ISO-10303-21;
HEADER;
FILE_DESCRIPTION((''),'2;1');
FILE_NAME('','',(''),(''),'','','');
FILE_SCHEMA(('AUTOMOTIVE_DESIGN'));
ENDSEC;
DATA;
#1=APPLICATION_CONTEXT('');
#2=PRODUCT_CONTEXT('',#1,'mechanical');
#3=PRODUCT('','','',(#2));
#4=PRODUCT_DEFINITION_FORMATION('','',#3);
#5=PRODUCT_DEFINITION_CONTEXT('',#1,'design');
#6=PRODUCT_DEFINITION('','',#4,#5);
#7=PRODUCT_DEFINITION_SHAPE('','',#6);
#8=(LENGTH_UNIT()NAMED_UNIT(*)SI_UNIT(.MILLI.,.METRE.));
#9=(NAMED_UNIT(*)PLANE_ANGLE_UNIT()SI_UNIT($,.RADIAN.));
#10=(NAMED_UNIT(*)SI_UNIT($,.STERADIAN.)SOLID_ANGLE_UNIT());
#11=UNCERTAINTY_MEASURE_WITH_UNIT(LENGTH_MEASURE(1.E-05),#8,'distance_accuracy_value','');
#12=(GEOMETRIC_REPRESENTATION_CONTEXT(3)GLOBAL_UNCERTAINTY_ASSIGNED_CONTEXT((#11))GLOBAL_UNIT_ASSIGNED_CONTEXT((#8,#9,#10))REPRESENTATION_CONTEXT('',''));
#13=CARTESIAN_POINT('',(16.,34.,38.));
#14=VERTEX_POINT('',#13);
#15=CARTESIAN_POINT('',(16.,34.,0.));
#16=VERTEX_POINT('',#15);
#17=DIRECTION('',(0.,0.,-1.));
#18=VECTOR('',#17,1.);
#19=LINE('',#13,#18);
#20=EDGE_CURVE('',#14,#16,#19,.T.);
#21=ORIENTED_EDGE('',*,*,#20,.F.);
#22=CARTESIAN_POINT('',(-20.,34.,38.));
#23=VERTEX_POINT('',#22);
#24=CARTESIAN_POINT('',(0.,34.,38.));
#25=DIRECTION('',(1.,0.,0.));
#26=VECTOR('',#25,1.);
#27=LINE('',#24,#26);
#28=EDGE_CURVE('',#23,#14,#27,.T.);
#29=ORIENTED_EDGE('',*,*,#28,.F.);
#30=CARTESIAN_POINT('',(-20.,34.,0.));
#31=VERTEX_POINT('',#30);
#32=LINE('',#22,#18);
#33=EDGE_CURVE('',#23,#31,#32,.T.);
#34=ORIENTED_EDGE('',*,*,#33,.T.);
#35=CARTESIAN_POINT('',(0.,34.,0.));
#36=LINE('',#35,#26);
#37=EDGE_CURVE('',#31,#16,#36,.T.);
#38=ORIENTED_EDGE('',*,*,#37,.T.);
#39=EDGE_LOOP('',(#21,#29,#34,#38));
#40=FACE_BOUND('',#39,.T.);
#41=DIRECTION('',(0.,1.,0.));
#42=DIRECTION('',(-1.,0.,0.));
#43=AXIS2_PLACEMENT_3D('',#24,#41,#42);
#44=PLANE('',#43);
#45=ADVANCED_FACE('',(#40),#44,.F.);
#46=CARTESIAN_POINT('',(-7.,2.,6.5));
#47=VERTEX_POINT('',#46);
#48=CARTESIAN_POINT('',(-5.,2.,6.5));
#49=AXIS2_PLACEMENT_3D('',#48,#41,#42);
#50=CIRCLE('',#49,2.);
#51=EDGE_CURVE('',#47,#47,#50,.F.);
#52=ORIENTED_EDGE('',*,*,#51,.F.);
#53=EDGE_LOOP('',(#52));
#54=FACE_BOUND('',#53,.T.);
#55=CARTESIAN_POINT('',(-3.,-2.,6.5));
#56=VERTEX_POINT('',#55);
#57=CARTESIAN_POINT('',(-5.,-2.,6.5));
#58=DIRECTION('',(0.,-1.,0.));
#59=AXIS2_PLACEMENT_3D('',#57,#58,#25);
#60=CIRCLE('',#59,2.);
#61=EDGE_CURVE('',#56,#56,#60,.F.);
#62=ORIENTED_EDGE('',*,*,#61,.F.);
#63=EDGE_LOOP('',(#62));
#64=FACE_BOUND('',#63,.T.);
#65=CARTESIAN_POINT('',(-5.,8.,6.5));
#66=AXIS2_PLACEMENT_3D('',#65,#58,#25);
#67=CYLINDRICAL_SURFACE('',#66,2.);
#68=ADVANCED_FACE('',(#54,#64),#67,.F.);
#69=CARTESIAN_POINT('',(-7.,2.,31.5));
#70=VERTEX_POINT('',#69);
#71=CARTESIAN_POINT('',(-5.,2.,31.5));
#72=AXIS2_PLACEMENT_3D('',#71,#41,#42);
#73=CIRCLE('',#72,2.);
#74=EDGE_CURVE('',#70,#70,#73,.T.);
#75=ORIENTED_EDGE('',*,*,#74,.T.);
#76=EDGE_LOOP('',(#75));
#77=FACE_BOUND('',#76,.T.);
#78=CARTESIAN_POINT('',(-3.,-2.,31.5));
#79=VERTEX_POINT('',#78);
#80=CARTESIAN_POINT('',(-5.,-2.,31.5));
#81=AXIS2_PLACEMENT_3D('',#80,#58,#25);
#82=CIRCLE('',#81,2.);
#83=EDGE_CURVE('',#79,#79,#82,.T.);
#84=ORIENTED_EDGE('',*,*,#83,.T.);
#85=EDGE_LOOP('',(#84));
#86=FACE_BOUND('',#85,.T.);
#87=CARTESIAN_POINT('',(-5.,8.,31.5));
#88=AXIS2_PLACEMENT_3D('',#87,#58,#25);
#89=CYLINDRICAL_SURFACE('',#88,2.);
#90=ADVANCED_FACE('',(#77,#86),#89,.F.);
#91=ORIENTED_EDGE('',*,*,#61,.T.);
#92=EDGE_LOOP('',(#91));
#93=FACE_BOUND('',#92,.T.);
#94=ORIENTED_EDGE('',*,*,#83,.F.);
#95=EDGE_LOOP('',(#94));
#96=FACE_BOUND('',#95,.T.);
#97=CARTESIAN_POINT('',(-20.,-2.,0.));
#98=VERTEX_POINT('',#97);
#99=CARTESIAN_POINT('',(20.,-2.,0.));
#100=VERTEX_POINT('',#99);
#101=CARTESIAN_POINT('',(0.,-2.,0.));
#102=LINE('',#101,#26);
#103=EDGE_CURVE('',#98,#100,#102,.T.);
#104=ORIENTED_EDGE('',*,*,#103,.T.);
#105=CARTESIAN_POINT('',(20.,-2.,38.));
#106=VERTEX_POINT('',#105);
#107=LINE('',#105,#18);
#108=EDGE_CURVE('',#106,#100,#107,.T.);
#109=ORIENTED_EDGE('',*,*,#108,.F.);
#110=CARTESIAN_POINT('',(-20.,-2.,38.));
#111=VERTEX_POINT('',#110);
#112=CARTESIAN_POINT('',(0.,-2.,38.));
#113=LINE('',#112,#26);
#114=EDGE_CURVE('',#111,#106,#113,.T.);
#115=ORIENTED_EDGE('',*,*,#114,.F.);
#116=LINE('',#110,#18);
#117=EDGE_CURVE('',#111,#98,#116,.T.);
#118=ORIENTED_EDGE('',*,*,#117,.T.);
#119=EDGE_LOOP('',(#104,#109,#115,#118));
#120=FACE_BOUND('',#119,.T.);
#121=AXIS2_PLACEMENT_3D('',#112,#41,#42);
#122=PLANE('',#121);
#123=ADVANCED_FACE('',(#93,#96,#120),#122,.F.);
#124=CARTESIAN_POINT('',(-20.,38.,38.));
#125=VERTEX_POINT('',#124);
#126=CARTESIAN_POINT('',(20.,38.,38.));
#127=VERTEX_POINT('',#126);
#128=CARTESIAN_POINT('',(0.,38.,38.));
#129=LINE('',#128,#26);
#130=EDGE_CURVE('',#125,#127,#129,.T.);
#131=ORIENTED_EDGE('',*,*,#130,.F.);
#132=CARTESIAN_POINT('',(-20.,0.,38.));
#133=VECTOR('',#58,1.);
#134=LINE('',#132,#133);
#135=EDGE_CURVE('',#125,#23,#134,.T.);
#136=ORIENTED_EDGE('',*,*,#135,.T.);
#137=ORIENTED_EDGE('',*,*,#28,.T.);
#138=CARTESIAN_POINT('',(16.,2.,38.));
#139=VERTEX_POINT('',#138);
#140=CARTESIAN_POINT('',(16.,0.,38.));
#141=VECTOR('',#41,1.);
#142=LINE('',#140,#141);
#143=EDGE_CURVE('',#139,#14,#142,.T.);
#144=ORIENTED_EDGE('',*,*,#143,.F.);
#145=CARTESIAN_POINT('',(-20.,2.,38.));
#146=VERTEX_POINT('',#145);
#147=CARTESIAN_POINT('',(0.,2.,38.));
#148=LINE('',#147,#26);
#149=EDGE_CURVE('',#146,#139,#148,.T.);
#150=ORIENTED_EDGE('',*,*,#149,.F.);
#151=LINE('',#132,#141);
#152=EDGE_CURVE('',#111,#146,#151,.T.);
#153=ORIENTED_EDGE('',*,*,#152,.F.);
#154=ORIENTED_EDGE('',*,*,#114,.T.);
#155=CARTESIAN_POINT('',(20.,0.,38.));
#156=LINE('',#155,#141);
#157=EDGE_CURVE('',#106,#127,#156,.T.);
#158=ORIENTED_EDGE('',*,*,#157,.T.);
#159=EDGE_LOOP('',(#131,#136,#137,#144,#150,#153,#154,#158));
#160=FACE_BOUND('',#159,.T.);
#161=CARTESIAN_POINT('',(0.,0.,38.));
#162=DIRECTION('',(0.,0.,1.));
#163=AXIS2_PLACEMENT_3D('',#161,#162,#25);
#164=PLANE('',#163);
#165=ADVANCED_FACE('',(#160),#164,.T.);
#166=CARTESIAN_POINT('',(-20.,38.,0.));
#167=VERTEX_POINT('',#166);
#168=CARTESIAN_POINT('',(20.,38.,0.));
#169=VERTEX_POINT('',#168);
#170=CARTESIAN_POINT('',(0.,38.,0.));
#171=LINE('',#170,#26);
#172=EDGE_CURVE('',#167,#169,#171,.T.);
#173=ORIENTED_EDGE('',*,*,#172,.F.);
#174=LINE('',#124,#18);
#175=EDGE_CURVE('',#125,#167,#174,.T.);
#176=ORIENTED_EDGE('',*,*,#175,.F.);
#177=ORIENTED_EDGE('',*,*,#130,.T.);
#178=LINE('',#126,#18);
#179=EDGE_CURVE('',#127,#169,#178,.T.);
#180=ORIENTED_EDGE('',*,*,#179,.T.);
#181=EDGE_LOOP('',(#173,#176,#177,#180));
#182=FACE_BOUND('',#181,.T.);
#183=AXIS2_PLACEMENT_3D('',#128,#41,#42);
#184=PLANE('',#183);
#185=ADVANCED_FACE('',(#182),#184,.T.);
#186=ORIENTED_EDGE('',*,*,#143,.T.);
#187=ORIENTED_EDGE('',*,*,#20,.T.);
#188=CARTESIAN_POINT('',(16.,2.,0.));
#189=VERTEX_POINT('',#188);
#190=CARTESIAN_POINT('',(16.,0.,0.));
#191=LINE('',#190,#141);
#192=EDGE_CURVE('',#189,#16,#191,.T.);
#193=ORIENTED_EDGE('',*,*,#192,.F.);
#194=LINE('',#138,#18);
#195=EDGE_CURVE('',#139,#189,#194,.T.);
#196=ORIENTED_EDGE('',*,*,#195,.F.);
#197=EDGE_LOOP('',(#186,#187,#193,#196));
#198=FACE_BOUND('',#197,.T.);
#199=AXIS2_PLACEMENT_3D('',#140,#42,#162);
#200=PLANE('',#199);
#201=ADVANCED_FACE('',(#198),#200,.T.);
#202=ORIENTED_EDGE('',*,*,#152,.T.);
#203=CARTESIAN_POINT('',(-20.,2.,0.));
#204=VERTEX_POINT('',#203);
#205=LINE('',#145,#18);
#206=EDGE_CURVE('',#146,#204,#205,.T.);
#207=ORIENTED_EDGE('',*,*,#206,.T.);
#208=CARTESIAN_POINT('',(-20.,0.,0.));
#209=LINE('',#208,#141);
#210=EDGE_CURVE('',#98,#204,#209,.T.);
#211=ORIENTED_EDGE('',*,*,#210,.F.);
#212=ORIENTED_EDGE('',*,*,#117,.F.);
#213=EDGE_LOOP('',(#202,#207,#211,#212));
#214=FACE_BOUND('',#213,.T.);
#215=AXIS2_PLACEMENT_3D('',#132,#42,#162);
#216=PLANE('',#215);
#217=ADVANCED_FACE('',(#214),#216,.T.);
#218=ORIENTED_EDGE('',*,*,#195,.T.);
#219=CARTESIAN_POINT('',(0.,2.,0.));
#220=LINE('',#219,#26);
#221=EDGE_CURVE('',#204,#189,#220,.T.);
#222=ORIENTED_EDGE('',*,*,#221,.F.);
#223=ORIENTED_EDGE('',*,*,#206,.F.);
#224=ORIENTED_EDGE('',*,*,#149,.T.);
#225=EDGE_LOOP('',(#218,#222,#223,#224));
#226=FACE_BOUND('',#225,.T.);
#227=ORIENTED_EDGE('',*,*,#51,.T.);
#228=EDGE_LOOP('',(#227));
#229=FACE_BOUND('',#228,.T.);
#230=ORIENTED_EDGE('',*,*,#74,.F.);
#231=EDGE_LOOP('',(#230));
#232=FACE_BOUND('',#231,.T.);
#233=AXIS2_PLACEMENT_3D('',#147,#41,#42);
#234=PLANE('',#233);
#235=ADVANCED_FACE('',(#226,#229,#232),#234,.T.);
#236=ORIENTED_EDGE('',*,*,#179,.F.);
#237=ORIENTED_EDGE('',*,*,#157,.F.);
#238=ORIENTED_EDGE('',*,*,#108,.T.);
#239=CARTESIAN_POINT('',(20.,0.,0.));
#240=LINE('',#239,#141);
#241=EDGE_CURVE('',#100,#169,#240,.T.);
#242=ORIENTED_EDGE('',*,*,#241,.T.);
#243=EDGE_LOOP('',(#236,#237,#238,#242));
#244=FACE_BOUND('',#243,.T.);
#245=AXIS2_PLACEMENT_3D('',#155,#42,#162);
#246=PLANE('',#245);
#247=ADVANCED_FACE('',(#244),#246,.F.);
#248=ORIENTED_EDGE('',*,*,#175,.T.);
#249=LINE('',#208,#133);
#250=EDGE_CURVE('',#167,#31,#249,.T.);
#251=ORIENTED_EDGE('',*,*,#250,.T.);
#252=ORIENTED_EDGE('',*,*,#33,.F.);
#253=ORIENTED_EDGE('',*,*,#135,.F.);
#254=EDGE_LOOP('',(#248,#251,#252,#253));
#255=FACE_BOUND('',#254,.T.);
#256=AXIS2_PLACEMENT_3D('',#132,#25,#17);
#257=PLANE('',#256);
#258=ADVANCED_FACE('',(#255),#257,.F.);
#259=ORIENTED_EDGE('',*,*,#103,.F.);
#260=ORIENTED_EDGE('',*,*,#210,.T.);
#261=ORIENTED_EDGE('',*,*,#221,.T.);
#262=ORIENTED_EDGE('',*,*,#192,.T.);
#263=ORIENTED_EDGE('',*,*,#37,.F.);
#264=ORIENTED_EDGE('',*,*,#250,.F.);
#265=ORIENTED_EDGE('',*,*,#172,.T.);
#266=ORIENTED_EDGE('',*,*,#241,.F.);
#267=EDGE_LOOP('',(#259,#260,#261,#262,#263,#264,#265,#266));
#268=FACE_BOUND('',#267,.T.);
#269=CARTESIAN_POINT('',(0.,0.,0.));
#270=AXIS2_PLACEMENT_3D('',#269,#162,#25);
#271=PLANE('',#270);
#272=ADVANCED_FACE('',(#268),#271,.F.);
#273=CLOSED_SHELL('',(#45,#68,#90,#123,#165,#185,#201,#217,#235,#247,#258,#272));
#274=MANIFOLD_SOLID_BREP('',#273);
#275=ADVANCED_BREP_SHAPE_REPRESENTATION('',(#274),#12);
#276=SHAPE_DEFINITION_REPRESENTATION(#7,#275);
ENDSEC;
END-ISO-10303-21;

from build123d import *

# Parameters (mm, degrees)
BOSS_EXTRU_1_DEPTH      = 38
ESQUISSE2_R             = 2
ENL_V_MAT_EXTRU_1_DEPTH = 10


with BuildPart() as part:
    # Esquisse1 → Boss.-Extru.1 (new body)
    with BuildSketch(Plane.XY):
        Polygon((16, 34), (16, 18), (20, 18), (20, 38), (-20, 38), (-20, 34), align=None)
        Polygon((-20, 2), (-20, -2), (13.980877288, -2), (20, -2), (20, 2), (20, 18), (16, 18), (16, 2), align=None)
    extrude(amount=BOSS_EXTRU_1_DEPTH)

    # Esquisse2 → Enlèv. mat.-Extru.1 (cut)
    with BuildSketch(Plane.XZ.offset(2)):
        with Locations((-5, 31.5)):
            Circle(ESQUISSE2_R)
        with Locations((-5, 6.5)):
            Circle(ESQUISSE2_R)
    extrude(amount=-ENL_V_MAT_EXTRU_1_DEPTH, mode=Mode.SUBTRACT)


solid = part.part
